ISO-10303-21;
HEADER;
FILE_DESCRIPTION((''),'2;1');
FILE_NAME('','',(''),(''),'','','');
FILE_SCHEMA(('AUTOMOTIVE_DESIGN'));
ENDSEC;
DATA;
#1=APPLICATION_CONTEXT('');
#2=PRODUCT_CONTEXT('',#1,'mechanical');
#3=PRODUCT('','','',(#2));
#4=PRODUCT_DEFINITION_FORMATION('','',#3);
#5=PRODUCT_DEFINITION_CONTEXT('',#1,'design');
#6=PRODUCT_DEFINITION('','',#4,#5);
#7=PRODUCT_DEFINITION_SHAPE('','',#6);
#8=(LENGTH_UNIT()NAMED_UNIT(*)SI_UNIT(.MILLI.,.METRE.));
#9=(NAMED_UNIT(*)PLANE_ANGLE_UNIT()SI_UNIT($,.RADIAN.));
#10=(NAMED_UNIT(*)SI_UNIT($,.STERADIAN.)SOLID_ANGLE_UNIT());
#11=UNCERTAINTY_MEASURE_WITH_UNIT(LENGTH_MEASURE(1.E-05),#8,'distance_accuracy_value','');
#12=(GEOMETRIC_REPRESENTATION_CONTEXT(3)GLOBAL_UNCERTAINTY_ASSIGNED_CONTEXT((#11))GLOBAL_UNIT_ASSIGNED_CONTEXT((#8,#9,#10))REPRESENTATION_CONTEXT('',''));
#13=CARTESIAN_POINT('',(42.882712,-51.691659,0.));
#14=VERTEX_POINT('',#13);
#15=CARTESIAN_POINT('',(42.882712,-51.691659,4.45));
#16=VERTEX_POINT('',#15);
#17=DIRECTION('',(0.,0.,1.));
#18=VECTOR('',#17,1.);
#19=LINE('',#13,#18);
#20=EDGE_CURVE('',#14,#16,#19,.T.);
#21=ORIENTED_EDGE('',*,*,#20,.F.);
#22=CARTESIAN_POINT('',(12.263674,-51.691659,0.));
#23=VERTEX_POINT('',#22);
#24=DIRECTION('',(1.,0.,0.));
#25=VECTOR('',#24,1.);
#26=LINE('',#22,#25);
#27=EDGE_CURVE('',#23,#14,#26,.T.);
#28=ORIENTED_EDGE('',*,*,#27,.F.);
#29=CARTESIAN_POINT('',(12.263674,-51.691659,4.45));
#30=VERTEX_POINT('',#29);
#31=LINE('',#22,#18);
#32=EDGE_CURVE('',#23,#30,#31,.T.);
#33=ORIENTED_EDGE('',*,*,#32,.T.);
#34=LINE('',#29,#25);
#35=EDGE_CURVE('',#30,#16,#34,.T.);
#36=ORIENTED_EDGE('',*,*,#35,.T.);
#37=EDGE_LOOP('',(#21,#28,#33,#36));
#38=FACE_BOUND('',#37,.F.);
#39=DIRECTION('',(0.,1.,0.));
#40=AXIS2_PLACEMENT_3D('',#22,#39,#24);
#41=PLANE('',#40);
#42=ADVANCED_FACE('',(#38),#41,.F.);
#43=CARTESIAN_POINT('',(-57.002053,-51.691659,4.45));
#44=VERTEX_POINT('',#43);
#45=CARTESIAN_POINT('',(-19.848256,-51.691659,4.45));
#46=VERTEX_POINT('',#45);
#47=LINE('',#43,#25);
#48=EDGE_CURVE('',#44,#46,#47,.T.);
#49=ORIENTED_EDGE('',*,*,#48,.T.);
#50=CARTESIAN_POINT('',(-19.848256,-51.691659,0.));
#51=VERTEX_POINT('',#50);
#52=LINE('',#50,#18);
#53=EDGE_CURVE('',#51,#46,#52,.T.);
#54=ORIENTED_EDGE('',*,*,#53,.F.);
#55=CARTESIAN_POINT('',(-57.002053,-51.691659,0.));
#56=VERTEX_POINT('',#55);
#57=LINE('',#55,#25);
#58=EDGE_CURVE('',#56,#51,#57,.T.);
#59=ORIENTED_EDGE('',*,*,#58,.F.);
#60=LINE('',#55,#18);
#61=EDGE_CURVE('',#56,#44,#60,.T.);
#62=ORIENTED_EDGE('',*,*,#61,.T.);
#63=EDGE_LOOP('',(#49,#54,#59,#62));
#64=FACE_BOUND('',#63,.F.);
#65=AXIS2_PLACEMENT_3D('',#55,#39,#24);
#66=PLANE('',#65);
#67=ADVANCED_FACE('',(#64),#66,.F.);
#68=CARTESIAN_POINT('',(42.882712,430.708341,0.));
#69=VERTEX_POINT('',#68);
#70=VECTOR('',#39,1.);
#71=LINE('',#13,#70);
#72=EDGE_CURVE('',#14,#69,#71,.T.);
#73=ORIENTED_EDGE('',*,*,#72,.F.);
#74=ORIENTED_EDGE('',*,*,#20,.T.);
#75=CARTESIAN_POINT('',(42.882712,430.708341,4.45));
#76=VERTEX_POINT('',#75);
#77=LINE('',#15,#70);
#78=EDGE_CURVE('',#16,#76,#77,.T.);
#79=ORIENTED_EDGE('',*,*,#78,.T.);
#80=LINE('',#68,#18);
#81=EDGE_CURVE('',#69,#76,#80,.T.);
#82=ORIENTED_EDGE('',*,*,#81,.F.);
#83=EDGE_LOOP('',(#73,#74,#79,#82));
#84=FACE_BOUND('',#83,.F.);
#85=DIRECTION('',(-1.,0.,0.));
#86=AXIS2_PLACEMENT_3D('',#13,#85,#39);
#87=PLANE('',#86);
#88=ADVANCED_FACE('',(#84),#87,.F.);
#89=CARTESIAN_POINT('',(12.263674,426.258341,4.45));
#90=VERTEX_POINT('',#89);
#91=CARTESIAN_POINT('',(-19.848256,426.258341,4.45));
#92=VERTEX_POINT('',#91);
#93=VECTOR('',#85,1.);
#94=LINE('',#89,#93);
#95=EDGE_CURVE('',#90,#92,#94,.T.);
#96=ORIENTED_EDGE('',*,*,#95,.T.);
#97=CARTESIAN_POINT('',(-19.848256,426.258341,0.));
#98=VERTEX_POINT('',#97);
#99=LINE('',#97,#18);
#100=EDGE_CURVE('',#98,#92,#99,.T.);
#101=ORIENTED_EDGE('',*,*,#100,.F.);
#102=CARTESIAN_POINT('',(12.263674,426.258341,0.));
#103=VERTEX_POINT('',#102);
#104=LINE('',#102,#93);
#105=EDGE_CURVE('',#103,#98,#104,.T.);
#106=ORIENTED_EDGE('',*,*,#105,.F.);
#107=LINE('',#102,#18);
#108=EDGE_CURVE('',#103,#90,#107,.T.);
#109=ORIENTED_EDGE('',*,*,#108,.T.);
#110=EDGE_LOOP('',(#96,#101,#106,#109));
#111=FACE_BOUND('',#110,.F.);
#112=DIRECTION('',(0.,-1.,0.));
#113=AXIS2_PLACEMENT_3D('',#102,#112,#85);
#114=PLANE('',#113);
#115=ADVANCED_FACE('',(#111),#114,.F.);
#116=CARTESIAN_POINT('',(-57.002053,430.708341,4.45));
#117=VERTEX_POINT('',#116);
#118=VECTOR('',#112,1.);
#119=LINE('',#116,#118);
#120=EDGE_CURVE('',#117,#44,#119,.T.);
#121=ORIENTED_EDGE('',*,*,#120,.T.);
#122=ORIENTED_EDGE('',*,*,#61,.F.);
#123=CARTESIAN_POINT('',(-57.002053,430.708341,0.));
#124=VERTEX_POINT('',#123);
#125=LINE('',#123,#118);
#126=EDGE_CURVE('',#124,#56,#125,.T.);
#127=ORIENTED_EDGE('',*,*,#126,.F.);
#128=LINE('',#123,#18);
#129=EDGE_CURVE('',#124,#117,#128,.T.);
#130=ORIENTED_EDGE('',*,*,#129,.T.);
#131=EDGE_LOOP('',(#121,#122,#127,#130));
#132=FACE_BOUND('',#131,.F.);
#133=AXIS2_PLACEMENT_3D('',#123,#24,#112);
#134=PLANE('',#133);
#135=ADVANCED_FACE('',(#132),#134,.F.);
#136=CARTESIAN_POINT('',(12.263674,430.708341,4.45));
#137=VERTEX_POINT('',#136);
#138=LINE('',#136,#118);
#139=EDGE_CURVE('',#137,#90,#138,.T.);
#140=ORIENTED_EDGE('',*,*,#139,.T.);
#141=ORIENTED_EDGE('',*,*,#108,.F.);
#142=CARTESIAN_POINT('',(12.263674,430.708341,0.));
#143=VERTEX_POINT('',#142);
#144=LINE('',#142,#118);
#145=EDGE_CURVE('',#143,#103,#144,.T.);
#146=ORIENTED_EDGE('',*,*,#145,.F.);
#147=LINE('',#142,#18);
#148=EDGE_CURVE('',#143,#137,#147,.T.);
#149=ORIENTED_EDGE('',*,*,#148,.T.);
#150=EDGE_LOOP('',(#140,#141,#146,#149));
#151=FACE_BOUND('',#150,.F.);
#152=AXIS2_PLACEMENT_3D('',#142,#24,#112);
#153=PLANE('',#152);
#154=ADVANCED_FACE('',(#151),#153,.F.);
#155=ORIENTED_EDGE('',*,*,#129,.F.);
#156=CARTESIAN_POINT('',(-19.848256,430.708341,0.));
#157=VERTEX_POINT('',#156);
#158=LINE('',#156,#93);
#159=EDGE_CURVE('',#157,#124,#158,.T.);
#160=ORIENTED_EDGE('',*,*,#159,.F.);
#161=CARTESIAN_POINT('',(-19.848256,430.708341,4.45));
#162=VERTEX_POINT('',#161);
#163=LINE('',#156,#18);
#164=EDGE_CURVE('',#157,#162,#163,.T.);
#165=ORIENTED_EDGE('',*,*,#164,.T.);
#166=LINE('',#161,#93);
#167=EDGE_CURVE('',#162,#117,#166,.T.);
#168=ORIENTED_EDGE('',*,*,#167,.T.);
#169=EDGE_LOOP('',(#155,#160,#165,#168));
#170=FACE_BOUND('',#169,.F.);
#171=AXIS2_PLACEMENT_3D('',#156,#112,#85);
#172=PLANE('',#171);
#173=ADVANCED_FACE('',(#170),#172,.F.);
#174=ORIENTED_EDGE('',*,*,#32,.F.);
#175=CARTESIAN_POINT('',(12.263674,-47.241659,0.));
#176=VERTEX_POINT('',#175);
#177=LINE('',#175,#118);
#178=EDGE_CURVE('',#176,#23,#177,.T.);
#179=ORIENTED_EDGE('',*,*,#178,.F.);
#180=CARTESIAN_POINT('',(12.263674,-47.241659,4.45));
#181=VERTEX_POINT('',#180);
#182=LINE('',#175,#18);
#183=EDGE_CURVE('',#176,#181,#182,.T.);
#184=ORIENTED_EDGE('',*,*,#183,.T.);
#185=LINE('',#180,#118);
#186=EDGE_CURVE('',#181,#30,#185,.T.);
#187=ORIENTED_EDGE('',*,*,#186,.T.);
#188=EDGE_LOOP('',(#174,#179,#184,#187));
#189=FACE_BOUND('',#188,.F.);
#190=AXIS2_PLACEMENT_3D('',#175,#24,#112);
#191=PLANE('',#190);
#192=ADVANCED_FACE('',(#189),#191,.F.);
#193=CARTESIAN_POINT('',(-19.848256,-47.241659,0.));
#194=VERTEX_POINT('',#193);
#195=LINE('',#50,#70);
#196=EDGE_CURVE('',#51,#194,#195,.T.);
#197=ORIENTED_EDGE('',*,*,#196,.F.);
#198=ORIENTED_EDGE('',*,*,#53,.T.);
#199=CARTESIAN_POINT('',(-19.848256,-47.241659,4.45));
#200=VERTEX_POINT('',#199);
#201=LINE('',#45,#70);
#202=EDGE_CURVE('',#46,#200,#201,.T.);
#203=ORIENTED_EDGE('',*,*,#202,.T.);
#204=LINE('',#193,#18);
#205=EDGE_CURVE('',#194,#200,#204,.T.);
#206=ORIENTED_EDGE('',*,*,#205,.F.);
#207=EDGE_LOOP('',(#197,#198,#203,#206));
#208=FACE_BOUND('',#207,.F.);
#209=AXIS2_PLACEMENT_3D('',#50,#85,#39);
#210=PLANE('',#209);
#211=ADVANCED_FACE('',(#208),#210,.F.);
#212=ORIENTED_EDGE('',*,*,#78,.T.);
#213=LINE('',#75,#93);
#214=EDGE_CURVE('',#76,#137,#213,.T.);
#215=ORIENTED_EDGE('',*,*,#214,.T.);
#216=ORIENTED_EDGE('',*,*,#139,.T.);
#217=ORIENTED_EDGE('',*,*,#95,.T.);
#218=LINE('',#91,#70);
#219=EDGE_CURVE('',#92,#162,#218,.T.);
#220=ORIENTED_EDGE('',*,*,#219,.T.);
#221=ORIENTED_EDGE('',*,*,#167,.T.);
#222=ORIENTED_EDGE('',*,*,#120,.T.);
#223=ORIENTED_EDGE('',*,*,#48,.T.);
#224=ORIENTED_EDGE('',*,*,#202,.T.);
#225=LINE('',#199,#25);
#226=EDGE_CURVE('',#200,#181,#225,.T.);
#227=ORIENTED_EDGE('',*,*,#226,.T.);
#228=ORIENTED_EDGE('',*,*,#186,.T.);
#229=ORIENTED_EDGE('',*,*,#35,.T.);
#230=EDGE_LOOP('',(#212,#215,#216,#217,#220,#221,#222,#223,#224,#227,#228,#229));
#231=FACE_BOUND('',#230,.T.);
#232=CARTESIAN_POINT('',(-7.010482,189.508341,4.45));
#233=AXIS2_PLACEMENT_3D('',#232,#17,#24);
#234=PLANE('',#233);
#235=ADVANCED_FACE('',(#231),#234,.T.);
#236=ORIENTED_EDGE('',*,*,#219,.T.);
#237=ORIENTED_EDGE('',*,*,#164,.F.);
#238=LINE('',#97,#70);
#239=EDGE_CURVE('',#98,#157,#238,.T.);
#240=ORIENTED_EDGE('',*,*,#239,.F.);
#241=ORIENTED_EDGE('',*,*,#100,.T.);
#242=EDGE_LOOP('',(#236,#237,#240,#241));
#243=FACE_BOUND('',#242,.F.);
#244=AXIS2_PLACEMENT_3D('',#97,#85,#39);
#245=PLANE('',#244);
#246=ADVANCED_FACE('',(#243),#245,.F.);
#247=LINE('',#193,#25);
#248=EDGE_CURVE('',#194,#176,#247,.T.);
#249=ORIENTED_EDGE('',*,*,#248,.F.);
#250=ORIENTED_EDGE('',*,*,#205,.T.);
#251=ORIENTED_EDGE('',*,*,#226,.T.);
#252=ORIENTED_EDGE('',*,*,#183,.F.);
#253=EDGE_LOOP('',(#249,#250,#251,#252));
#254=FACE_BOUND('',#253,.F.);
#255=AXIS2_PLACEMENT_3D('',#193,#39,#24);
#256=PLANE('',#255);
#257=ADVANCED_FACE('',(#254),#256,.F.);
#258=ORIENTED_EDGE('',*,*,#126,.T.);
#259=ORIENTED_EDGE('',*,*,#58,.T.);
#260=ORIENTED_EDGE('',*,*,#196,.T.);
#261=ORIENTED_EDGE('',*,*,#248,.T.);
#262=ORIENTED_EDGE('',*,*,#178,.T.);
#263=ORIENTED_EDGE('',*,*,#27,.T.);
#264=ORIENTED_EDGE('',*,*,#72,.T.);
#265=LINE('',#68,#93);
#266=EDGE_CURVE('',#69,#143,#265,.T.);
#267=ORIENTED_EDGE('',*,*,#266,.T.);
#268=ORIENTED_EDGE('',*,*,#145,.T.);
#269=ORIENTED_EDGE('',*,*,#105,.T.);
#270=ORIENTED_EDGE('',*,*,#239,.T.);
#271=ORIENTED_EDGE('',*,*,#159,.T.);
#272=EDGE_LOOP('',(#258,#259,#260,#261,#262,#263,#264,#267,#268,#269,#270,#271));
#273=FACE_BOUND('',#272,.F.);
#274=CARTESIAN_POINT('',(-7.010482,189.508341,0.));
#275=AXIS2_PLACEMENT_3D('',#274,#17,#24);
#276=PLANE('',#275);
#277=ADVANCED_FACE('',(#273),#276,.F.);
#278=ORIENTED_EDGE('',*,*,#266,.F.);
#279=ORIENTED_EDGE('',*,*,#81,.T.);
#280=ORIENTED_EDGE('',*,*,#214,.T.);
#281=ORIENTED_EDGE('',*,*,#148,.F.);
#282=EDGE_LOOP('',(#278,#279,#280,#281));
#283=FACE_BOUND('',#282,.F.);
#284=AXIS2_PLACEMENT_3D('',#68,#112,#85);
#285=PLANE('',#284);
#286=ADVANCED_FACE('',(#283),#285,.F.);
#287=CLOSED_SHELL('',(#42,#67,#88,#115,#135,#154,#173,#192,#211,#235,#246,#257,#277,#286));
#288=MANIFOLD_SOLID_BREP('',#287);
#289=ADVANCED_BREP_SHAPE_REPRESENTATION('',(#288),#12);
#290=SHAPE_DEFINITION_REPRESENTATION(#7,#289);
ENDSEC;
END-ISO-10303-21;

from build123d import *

# Parameters (mm, degrees)
F1_DEPTH = 4.45


with BuildPart() as f1:
    # F0 (on Top) → F1 (new body)
    with BuildSketch(Plane.XY):
        Polygon((12.263674, 430.708341), (12.263674, 426.258341), (-19.848256, 426.258341), (-19.848256, 430.708341), (-56.068197, 430.708341), (-57.002053, 430.708341), (-57.002053, 426.258341), (-57.002053, -47.241659), (-57.002053, -51.691659), (-19.848256, -51.691659), (-19.848256, -47.241659), (12.263674, -47.241659), (12.263674, -51.691659), (42.882712, -51.691659), (42.882712, -47.241659), (42.882712, 426.258341), (42.882712, 430.708341), align=None)
    extrude(amount=F1_DEPTH)


solid = f1.part
